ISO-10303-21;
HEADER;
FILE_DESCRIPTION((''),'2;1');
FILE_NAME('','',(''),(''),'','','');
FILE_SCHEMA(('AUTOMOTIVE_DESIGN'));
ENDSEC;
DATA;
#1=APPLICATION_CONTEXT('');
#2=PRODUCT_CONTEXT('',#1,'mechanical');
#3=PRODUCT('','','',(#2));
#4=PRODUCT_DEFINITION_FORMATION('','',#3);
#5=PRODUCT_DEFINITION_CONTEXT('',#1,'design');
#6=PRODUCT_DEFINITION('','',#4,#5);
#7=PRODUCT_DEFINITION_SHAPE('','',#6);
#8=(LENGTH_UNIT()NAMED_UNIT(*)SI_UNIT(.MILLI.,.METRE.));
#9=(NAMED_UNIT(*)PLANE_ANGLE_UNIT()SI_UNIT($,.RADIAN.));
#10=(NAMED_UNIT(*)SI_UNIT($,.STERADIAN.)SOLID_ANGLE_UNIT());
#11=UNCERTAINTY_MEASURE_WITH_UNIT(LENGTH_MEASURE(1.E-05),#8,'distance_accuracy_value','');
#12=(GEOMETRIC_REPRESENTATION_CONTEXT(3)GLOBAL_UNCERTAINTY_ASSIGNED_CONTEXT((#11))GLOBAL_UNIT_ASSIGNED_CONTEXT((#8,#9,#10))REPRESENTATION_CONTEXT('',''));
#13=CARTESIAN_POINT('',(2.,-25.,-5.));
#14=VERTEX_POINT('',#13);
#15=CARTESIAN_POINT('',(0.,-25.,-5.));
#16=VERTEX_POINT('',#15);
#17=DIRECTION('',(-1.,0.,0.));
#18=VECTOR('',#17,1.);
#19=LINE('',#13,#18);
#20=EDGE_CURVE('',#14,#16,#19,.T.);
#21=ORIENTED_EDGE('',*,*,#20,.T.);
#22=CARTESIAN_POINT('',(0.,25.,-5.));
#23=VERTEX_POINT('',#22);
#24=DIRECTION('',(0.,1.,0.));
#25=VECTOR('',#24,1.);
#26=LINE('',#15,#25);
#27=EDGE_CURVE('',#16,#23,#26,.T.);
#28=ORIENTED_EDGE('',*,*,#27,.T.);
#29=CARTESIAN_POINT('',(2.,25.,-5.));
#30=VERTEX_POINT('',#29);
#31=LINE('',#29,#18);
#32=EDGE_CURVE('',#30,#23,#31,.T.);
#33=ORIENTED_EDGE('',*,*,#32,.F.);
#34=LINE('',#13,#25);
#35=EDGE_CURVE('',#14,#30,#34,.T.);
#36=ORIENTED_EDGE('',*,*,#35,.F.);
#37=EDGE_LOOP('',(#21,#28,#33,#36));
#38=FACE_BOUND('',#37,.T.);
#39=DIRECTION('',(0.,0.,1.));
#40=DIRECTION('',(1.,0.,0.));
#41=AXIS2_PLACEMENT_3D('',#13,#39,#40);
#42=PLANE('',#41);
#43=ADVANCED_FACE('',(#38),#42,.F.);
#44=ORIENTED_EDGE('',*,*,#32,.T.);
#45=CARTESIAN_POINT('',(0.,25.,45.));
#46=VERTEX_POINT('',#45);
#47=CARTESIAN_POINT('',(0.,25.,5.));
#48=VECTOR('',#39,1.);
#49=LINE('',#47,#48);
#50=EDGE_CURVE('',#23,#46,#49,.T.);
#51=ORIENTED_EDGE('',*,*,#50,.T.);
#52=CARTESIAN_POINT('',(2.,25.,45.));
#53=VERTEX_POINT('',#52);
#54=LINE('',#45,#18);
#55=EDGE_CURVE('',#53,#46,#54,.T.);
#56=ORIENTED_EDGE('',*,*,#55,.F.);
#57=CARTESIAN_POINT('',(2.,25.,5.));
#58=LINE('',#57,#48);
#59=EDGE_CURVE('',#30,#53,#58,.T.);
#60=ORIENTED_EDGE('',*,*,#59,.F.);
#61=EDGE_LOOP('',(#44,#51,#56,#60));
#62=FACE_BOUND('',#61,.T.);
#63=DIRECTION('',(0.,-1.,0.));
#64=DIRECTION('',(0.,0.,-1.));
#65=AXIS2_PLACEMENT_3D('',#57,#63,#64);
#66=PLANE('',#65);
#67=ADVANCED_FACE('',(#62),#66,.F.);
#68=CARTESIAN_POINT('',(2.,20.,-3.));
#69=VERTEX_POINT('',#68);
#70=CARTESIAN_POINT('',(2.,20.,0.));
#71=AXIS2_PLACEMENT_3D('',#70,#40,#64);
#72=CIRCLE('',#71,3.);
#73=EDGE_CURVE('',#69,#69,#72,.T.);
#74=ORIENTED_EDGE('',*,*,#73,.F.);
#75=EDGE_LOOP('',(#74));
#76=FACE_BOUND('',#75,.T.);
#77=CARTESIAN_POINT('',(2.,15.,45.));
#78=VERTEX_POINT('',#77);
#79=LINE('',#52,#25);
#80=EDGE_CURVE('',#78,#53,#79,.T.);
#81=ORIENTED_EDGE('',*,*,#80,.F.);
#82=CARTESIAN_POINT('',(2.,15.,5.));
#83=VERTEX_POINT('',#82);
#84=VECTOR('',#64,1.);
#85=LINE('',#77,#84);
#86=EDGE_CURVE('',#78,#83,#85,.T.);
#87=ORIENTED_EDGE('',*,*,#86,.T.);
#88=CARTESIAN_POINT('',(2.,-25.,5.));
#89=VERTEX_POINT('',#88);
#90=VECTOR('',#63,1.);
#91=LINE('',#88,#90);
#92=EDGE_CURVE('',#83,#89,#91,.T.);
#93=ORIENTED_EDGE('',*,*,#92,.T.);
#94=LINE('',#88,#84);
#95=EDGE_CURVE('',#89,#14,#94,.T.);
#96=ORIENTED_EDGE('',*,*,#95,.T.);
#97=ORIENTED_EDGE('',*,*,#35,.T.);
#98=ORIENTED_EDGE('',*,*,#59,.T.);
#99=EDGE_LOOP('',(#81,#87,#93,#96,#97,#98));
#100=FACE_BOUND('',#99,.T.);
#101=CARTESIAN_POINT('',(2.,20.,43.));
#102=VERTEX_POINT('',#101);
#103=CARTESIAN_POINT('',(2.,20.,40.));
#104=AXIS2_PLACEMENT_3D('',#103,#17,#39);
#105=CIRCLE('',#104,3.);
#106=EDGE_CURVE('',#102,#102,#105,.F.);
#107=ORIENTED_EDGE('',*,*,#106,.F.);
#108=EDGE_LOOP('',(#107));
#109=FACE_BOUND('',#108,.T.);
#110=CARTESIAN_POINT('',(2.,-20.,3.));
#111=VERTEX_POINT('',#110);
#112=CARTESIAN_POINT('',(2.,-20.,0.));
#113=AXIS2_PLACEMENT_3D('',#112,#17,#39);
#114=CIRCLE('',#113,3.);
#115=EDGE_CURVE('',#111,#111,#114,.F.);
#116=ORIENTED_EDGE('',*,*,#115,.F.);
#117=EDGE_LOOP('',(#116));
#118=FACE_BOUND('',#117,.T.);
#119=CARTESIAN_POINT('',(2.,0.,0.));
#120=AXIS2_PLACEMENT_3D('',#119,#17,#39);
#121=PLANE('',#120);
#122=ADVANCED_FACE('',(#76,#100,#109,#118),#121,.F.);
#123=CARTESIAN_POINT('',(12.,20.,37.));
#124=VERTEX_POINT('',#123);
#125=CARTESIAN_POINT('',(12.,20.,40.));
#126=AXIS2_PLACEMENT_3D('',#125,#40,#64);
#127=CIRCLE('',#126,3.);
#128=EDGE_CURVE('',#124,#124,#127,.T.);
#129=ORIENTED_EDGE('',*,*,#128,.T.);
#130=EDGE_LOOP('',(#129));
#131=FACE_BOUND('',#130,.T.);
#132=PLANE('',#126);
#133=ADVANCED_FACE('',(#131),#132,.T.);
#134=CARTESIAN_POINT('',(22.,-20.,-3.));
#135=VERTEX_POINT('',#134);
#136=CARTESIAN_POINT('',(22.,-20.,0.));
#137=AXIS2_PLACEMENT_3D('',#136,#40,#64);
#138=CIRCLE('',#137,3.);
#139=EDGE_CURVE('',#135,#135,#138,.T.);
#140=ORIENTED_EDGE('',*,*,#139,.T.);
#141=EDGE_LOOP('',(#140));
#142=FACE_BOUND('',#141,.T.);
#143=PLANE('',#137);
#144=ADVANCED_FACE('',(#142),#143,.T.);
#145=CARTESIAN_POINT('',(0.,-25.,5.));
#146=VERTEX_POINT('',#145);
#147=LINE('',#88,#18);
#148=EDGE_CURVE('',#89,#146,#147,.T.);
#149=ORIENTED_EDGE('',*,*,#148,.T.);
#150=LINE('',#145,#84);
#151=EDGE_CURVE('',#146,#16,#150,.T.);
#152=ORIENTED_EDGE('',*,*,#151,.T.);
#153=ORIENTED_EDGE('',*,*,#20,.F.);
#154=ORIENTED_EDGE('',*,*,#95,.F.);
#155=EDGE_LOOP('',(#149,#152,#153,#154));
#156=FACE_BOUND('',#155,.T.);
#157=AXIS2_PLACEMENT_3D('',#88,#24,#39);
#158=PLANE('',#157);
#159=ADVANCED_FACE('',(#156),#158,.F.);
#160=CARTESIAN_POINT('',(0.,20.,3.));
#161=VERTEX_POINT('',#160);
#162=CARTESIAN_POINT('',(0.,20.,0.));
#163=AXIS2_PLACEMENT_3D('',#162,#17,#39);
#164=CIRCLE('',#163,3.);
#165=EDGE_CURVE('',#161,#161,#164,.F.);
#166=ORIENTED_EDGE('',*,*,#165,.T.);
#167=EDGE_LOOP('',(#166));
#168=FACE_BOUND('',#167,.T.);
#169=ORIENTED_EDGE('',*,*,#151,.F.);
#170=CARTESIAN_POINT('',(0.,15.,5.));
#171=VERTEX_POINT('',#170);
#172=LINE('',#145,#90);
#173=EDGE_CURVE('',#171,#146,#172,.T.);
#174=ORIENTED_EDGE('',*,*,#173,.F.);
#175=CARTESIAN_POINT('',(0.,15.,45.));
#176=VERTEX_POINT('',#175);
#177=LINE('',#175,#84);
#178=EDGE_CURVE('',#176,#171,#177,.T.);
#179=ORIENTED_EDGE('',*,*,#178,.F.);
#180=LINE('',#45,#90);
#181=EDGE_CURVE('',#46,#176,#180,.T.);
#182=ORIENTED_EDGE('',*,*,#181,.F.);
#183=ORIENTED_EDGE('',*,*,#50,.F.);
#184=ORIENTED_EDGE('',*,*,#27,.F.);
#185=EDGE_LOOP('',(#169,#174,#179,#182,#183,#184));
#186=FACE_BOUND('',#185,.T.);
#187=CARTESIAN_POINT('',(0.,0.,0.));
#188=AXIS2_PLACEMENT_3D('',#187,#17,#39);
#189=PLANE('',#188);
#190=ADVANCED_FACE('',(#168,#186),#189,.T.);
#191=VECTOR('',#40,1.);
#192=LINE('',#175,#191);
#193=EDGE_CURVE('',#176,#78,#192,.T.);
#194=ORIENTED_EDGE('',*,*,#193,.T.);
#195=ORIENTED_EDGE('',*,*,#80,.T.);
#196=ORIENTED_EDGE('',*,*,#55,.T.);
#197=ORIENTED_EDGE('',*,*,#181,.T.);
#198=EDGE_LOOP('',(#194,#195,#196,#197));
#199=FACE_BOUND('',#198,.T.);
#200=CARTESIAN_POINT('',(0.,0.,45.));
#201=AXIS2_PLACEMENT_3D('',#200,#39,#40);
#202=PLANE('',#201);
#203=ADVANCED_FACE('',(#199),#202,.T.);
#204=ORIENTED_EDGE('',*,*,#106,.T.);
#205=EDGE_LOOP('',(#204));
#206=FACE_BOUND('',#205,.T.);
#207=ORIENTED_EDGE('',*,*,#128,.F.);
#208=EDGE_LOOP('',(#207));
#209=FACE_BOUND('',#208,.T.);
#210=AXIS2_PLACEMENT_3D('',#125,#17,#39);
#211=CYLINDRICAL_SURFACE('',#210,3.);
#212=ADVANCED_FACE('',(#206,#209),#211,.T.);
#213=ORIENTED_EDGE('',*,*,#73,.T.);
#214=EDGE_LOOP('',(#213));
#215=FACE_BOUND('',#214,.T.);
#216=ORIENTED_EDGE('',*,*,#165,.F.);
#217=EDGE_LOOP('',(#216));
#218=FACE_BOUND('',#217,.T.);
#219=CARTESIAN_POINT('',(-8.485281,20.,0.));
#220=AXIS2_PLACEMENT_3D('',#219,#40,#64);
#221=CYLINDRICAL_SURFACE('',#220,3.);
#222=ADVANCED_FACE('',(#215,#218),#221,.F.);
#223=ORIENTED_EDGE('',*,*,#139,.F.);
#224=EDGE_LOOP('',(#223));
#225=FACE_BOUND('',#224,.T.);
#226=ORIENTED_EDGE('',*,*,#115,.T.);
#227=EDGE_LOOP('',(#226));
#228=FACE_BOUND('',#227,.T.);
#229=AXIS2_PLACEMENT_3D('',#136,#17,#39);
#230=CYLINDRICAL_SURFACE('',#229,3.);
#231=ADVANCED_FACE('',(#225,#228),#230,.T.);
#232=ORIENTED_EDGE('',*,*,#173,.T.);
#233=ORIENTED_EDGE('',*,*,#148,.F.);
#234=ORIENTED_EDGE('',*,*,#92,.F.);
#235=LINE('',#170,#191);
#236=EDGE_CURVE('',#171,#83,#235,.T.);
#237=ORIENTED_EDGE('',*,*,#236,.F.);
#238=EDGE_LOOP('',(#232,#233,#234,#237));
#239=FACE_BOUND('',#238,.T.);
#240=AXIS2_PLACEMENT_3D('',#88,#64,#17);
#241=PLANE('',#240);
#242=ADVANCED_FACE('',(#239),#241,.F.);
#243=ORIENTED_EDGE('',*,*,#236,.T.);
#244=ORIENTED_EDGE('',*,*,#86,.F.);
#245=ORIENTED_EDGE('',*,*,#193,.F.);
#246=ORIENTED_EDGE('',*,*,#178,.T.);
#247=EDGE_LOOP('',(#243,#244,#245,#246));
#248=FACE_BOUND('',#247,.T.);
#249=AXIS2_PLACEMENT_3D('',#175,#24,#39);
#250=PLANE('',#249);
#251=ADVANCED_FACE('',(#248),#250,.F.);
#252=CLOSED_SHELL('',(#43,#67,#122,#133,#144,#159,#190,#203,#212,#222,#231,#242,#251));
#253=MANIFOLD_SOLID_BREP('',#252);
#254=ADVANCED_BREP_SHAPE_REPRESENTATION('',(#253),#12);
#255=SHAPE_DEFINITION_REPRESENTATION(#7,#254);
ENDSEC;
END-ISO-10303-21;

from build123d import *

# Parameters (mm, degrees)
SKETCH1_W           = 10
SKETCH1_H           = 50
BOSS_EXTRUDE1_DEPTH = 2
SKETCH2_R           = 3
CUT_EXTRUDE1_DEPTH  = 2
SKETCH3_R           = 3
BOSS_EXTRUDE2_DEPTH = 20
SKETCH4_W           = 2
SKETCH4_H           = 10
BOSS_EXTRUDE3_DEPTH = 40
SKETCH5_R           = 3
BOSS_EXTRUDE4_DEPTH = 10


with BuildPart() as part:
    # Sketch1 → Boss-Extrude1 (new body)
    with BuildSketch(Plane(origin=(0, 0, 0), x_dir=(0, 0, -1), z_dir=(1, 0, 0))):
        Rectangle(SKETCH1_W, SKETCH1_H)
    extrude(amount=BOSS_EXTRUDE1_DEPTH)

    # Sketch2 → Cut-Extrude1 (cut)
    with BuildSketch(Plane(origin=(2, 0, 0), x_dir=(0, 0, -1), z_dir=(1, 0, 0))):
        with Locations((0, 20)):
            Circle(SKETCH2_R)
    extrude(amount=-CUT_EXTRUDE1_DEPTH, mode=Mode.SUBTRACT)

    # Sketch3 → Boss-Extrude2 (add)
    with BuildSketch(Plane(origin=(2, 0, 0), x_dir=(0, 0, -1), z_dir=(1, 0, 0))):
        with Locations((0, -20)):
            Circle(SKETCH3_R)
    extrude(amount=BOSS_EXTRUDE2_DEPTH)

    # Sketch4 → Boss-Extrude3 (add)
    with BuildSketch(Plane.XY.offset(5)):
        with Locations((1, 20)):
            Rectangle(SKETCH4_W, SKETCH4_H)
    extrude(amount=BOSS_EXTRUDE3_DEPTH)

    # Sketch5 → Boss-Extrude4 (add)
    with BuildSketch(Plane(origin=(2, 0, 0), x_dir=(0, 0, -1), z_dir=(1, 0, 0))):
        with Locations((-40, 20)):
            Circle(SKETCH5_R)
    extrude(amount=BOSS_EXTRUDE4_DEPTH)


solid = part.part
